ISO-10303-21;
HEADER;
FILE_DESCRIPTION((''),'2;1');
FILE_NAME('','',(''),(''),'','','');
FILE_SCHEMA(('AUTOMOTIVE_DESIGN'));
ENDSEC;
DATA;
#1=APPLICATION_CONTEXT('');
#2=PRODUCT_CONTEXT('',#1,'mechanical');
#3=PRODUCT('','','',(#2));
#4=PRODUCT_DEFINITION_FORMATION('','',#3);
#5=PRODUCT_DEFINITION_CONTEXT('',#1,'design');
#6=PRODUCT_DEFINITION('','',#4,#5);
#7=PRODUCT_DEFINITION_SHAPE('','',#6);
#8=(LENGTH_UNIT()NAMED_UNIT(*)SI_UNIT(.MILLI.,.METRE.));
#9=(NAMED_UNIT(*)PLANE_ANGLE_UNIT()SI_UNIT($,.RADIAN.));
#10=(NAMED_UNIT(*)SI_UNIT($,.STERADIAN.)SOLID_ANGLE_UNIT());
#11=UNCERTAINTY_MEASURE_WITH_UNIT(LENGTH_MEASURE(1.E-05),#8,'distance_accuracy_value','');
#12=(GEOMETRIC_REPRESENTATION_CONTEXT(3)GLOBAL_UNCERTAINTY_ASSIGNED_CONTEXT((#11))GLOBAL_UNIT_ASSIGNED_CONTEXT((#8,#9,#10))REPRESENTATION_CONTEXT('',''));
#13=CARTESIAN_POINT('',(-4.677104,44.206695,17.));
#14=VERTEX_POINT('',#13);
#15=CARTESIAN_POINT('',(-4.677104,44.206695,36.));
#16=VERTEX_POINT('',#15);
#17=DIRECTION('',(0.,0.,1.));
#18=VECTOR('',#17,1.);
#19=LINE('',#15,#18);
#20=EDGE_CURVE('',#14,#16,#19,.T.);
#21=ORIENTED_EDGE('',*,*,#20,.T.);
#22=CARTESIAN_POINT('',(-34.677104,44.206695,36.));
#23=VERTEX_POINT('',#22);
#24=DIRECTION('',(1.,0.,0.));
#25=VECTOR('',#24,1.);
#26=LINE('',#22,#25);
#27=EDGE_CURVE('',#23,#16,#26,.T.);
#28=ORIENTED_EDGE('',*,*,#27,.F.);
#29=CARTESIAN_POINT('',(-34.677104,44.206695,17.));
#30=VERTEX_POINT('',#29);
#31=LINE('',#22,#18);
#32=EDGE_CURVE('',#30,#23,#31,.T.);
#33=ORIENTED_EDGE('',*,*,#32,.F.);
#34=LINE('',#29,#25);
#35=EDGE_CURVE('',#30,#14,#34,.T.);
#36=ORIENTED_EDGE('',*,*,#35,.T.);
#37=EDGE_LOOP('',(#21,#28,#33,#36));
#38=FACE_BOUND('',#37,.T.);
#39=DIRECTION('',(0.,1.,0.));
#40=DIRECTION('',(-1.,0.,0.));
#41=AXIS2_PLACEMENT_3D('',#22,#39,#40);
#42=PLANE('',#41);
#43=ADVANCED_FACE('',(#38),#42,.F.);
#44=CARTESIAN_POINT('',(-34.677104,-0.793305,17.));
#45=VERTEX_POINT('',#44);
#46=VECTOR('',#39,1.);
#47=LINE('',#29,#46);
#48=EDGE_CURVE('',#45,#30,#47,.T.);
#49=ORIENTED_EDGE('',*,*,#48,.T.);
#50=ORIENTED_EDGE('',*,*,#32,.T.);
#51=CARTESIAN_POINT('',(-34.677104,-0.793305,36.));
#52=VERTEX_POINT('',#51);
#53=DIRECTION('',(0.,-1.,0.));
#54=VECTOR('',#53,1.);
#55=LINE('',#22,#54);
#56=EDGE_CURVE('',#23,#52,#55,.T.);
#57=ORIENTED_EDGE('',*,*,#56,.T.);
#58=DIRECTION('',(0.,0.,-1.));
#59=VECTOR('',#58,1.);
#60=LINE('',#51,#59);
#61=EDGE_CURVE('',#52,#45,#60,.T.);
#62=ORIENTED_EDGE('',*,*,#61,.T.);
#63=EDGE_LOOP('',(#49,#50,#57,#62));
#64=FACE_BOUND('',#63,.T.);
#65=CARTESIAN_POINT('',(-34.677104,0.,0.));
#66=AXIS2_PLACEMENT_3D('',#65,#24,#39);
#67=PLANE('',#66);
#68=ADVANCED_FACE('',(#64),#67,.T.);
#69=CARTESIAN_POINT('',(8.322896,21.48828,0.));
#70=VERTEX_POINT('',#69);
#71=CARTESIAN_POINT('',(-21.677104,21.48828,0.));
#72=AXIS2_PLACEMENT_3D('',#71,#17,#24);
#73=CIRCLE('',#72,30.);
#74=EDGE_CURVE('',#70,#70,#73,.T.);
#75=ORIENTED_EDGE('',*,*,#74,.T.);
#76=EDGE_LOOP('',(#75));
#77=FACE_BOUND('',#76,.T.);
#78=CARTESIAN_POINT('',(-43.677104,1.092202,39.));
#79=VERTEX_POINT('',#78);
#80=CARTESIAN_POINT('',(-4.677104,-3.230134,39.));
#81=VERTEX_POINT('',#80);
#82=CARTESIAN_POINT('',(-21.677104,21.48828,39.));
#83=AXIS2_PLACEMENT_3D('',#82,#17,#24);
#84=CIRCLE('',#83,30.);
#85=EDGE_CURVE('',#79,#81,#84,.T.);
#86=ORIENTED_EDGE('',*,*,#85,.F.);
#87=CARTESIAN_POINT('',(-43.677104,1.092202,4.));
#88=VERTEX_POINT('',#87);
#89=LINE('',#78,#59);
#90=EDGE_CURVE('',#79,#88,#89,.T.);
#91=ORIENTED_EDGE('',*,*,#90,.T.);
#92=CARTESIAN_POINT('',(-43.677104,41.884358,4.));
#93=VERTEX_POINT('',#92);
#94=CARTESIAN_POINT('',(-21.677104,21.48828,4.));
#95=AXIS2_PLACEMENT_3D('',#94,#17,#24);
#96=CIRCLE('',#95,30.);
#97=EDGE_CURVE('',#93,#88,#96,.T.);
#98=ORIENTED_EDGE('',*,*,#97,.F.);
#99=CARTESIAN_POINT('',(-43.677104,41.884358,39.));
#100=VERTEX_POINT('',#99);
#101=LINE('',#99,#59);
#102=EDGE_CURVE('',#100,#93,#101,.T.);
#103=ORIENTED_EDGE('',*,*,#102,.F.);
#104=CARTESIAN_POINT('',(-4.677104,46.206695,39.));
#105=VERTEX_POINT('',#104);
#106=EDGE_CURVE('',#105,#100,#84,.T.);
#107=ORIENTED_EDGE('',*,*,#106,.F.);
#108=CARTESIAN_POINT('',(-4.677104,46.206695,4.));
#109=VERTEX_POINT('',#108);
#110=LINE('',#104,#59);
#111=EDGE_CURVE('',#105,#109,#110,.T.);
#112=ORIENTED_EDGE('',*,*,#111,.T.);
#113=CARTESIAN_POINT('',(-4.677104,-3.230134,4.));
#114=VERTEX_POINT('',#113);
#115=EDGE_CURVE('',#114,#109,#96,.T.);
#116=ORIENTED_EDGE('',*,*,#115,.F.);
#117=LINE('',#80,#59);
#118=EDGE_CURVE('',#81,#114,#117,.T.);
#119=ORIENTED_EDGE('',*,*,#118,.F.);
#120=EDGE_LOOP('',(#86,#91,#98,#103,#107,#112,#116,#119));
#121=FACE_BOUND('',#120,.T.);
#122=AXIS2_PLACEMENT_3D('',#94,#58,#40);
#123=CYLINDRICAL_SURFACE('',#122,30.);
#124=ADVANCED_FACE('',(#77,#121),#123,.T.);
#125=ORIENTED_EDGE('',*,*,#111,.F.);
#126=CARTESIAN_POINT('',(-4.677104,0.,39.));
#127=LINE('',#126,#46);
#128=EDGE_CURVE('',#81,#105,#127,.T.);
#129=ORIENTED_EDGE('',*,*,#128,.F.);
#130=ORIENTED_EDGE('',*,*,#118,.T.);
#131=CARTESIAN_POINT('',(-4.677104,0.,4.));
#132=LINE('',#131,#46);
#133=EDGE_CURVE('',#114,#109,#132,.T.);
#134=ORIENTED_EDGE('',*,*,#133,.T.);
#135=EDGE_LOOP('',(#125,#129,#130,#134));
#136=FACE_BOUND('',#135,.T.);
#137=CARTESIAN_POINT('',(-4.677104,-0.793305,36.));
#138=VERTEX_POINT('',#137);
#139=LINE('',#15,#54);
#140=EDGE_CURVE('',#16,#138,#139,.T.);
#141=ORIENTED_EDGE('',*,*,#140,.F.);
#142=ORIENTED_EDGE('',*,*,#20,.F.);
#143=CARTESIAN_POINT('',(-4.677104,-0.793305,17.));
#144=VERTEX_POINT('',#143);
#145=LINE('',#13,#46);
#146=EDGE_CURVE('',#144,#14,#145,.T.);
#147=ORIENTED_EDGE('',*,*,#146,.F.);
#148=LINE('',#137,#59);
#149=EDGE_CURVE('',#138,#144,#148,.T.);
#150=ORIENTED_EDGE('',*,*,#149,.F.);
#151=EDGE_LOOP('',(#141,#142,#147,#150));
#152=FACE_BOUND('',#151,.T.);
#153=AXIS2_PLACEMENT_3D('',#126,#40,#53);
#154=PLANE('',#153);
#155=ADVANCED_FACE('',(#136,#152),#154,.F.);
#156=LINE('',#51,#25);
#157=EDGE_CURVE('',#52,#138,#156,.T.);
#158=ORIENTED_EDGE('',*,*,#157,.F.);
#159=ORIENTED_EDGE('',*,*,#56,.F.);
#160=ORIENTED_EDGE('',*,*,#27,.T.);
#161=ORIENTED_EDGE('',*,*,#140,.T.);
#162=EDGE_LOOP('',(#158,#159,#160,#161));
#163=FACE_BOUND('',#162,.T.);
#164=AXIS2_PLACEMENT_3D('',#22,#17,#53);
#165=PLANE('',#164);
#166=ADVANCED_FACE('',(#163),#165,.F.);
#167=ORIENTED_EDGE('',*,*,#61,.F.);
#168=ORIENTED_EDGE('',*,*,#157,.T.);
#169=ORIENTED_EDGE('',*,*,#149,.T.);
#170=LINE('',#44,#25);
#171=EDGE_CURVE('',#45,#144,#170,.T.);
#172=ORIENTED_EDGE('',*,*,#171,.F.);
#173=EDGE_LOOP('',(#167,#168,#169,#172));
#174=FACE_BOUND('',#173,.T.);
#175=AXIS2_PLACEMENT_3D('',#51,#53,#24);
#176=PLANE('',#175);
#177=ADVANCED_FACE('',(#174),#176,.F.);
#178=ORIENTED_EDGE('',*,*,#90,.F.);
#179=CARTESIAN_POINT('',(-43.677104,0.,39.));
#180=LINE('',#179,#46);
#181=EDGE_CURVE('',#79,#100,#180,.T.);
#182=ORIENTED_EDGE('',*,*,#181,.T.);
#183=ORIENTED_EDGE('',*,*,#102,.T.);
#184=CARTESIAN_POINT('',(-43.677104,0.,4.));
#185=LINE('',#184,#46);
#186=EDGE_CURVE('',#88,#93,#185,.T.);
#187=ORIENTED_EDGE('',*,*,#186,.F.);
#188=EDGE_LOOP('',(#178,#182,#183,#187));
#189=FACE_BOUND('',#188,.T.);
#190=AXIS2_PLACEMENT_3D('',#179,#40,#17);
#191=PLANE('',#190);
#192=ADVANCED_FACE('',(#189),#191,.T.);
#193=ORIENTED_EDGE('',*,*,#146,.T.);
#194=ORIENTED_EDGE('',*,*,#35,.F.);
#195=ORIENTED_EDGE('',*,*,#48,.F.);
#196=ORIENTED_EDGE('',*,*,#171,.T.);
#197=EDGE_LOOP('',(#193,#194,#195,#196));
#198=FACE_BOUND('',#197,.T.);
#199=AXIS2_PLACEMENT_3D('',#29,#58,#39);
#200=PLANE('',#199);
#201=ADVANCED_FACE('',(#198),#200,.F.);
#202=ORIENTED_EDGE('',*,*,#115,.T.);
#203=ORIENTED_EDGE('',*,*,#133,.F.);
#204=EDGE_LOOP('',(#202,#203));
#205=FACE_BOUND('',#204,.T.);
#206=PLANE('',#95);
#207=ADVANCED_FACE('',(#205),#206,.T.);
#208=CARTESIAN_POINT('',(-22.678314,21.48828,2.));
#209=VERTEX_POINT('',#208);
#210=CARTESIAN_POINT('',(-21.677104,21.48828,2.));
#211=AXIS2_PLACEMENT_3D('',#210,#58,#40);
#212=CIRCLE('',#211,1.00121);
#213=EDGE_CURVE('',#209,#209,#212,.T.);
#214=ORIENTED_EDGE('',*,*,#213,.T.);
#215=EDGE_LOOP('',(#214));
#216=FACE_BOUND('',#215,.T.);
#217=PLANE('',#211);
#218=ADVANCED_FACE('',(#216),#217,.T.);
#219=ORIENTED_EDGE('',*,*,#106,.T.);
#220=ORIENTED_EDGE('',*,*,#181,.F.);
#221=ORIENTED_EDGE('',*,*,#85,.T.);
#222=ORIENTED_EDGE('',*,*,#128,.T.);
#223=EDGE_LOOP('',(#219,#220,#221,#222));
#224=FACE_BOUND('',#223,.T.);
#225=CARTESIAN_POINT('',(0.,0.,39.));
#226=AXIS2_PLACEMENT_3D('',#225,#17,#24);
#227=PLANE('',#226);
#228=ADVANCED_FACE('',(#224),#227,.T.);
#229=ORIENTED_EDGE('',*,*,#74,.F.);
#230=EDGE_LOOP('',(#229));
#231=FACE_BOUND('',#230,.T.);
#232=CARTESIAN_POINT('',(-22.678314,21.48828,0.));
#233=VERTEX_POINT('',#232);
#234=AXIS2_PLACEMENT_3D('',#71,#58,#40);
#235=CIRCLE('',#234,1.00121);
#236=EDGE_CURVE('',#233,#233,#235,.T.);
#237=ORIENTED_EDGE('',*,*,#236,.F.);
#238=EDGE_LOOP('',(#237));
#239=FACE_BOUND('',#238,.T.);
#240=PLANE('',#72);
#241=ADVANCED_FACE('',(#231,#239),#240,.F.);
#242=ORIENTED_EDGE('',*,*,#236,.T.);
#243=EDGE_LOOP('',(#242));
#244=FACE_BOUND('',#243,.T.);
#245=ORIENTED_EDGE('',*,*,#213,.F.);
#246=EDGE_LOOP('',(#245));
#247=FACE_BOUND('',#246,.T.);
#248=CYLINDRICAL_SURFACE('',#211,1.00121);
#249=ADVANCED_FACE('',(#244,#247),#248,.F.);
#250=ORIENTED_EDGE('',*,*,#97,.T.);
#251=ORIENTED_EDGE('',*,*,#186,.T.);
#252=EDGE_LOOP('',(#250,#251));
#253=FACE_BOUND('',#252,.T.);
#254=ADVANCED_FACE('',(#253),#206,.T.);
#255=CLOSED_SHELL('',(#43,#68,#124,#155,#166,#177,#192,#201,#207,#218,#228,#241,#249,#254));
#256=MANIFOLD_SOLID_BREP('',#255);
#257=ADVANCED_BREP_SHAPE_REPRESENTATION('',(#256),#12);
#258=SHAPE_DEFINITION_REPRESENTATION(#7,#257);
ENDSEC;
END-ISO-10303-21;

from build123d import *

# Parameters (mm, degrees)
ESQUISSE1_R             = 30
BOSS_EXTRU_1_DEPTH      = 4
BOSS_EXTRU_3_DEPTH      = 35
ESQUISSE7_W             = 19
ESQUISSE7_H             = 45
ENL_V_MAT_EXTRU_1_DEPTH = 30
ESQUISSE8_R             = 1.001210448
ENL_V_MAT_EXTRU_2_DEPTH = 2


with BuildPart() as part:
    # Esquisse1 → Boss.-Extru.1 (new body)
    with BuildSketch(Plane.XY):
        with Locations((-21.677103804, 21.48828033)):
            Circle(ESQUISSE1_R)
    extrude(amount=BOSS_EXTRU_1_DEPTH)

    # Esquisse4 → Boss.-Extru.3 (add)
    with BuildSketch(Plane.XY.offset(4)):
        with BuildLine():
            Line((-43.677103804, 41.884358384), (-43.677103804, 21.48828033))
            Line((-43.677103804, 21.48828033), (-43.677103804, 1.092202275))
            ThreePointArc((-43.677103804, 1.092202275), (-24.981744089, -8.329153372), (-4.677103804, -3.230133859))
            Line((-4.677103804, -3.230133859), (-4.677103804, 46.206694518))
            ThreePointArc((-4.677103804, 46.206694518), (-24.981744089, 51.305714032), (-43.677103804, 41.884358384))
        make_face()
    extrude(amount=BOSS_EXTRU_3_DEPTH)

    # Esquisse7 → Enlèv. mat.-Extru.1 (cut)
    with BuildSketch(Plane(origin=(-4.677103804, 0, 0), x_dir=(0, 0, -1), z_dir=(1, 0, 0))):
        with Locations((-26.5, 21.706694518)):
            Rectangle(ESQUISSE7_W, ESQUISSE7_H)
    extrude(amount=-ENL_V_MAT_EXTRU_1_DEPTH, mode=Mode.SUBTRACT)

    # Esquisse8 → Enlèv. mat.-Extru.2 (cut)
    with BuildSketch(Plane(origin=(0, 0, 0), x_dir=(-1, 0, 0), z_dir=(0, 0, -1))):
        with Locations((21.677103804, 21.48828033)):
            Circle(ESQUISSE8_R)
    extrude(amount=-ENL_V_MAT_EXTRU_2_DEPTH, mode=Mode.SUBTRACT)


solid = part.part
